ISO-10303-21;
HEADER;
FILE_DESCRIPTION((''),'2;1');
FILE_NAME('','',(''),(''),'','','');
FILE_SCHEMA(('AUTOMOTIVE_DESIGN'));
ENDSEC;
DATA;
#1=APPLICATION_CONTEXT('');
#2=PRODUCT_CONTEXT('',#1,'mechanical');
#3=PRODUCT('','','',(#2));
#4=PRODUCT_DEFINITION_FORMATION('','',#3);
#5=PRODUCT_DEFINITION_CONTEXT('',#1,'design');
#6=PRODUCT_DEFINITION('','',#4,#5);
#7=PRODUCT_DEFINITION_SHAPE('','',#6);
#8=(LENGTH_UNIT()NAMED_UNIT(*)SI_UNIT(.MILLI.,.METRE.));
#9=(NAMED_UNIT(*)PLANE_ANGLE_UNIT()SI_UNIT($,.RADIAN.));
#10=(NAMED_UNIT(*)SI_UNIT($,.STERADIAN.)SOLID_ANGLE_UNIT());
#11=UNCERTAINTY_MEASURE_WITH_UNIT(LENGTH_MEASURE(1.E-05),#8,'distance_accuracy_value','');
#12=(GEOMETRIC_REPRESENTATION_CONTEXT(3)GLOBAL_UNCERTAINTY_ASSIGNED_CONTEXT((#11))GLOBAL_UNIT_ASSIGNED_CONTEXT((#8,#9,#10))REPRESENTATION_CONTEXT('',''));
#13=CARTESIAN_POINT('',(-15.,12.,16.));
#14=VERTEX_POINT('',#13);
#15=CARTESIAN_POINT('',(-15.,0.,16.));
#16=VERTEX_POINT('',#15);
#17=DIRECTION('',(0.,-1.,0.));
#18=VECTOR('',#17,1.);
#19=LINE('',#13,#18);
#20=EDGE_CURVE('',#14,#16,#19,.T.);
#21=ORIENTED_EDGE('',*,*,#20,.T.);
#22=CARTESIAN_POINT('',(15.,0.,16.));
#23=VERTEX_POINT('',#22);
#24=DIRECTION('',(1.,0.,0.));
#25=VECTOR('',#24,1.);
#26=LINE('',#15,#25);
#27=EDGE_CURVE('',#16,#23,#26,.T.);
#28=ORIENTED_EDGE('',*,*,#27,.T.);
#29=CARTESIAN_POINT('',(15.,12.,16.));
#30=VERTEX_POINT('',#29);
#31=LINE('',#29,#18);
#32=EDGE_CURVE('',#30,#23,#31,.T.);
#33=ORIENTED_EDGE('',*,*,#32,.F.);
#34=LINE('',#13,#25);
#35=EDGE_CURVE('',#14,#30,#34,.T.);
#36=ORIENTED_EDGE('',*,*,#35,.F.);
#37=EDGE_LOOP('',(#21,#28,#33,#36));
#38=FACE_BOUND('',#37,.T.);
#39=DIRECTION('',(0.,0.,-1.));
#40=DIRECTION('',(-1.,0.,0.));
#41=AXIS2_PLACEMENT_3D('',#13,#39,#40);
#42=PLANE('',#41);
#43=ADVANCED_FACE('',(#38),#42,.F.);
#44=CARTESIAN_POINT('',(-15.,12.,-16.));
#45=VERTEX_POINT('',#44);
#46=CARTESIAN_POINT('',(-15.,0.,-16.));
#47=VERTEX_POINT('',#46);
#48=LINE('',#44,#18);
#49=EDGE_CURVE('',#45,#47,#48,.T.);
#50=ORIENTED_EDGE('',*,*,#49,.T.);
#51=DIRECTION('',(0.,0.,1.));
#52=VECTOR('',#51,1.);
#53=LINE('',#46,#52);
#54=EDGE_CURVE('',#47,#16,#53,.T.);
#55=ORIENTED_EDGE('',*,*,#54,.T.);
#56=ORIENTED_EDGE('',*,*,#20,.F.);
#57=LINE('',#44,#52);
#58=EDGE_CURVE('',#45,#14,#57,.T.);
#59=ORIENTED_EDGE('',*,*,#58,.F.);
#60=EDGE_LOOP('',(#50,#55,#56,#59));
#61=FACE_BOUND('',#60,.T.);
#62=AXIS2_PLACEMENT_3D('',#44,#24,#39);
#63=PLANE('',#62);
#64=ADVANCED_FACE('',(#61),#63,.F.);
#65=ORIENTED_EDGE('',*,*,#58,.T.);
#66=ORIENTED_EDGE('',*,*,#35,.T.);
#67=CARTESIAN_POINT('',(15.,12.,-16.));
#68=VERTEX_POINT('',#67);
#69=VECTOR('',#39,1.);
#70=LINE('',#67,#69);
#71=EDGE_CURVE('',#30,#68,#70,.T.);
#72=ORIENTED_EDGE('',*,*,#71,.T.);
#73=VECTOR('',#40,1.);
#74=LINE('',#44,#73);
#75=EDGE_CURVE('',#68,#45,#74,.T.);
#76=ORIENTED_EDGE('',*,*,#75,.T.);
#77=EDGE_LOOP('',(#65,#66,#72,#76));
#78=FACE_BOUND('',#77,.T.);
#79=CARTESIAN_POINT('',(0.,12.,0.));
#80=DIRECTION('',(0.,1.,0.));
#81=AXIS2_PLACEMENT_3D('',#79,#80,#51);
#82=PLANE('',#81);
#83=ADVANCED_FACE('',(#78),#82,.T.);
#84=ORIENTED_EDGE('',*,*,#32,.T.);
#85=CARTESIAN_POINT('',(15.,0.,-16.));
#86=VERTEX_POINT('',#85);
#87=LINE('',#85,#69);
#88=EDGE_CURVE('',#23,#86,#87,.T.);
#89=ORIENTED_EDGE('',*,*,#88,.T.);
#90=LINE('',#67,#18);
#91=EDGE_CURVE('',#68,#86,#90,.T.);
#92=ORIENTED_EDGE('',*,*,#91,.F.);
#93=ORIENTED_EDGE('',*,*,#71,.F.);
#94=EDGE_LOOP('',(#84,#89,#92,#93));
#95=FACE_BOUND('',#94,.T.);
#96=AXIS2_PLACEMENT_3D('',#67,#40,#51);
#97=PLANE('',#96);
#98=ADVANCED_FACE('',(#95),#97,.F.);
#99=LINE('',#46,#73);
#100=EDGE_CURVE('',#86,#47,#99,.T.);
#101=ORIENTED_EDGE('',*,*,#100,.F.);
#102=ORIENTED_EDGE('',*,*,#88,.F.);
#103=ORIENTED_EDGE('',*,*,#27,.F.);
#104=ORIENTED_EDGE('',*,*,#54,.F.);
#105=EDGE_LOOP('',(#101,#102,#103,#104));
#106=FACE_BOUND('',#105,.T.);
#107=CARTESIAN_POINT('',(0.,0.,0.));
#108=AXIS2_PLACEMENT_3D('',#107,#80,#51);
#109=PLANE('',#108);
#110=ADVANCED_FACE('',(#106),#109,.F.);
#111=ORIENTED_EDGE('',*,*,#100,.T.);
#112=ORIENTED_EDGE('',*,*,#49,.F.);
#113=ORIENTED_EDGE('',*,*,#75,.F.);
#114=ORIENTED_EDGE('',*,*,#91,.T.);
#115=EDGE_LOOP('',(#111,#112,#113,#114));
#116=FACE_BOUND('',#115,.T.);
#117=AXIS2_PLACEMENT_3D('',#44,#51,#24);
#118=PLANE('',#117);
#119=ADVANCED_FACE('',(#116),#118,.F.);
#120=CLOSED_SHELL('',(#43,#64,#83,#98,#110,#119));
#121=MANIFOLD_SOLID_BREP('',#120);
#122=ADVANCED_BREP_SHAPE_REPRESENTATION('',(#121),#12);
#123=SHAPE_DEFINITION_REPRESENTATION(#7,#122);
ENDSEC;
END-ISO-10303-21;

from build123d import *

# Parameters (mm, degrees)
SKIZZE2_W                       = 30
SKIZZE2_H                       = 32
AUFSATZ_LINEAR_AUSTRAGEN1_DEPTH = 12


with BuildPart() as part:
    # Skizze2 → Aufsatz-Linear austragen1 (new body)
    with BuildSketch(Plane(origin=(0, 0, 0), x_dir=(1, 0, 0), z_dir=(0, 1, 0))):
        Rectangle(SKIZZE2_W, SKIZZE2_H)
    extrude(amount=AUFSATZ_LINEAR_AUSTRAGEN1_DEPTH)


solid = part.part
